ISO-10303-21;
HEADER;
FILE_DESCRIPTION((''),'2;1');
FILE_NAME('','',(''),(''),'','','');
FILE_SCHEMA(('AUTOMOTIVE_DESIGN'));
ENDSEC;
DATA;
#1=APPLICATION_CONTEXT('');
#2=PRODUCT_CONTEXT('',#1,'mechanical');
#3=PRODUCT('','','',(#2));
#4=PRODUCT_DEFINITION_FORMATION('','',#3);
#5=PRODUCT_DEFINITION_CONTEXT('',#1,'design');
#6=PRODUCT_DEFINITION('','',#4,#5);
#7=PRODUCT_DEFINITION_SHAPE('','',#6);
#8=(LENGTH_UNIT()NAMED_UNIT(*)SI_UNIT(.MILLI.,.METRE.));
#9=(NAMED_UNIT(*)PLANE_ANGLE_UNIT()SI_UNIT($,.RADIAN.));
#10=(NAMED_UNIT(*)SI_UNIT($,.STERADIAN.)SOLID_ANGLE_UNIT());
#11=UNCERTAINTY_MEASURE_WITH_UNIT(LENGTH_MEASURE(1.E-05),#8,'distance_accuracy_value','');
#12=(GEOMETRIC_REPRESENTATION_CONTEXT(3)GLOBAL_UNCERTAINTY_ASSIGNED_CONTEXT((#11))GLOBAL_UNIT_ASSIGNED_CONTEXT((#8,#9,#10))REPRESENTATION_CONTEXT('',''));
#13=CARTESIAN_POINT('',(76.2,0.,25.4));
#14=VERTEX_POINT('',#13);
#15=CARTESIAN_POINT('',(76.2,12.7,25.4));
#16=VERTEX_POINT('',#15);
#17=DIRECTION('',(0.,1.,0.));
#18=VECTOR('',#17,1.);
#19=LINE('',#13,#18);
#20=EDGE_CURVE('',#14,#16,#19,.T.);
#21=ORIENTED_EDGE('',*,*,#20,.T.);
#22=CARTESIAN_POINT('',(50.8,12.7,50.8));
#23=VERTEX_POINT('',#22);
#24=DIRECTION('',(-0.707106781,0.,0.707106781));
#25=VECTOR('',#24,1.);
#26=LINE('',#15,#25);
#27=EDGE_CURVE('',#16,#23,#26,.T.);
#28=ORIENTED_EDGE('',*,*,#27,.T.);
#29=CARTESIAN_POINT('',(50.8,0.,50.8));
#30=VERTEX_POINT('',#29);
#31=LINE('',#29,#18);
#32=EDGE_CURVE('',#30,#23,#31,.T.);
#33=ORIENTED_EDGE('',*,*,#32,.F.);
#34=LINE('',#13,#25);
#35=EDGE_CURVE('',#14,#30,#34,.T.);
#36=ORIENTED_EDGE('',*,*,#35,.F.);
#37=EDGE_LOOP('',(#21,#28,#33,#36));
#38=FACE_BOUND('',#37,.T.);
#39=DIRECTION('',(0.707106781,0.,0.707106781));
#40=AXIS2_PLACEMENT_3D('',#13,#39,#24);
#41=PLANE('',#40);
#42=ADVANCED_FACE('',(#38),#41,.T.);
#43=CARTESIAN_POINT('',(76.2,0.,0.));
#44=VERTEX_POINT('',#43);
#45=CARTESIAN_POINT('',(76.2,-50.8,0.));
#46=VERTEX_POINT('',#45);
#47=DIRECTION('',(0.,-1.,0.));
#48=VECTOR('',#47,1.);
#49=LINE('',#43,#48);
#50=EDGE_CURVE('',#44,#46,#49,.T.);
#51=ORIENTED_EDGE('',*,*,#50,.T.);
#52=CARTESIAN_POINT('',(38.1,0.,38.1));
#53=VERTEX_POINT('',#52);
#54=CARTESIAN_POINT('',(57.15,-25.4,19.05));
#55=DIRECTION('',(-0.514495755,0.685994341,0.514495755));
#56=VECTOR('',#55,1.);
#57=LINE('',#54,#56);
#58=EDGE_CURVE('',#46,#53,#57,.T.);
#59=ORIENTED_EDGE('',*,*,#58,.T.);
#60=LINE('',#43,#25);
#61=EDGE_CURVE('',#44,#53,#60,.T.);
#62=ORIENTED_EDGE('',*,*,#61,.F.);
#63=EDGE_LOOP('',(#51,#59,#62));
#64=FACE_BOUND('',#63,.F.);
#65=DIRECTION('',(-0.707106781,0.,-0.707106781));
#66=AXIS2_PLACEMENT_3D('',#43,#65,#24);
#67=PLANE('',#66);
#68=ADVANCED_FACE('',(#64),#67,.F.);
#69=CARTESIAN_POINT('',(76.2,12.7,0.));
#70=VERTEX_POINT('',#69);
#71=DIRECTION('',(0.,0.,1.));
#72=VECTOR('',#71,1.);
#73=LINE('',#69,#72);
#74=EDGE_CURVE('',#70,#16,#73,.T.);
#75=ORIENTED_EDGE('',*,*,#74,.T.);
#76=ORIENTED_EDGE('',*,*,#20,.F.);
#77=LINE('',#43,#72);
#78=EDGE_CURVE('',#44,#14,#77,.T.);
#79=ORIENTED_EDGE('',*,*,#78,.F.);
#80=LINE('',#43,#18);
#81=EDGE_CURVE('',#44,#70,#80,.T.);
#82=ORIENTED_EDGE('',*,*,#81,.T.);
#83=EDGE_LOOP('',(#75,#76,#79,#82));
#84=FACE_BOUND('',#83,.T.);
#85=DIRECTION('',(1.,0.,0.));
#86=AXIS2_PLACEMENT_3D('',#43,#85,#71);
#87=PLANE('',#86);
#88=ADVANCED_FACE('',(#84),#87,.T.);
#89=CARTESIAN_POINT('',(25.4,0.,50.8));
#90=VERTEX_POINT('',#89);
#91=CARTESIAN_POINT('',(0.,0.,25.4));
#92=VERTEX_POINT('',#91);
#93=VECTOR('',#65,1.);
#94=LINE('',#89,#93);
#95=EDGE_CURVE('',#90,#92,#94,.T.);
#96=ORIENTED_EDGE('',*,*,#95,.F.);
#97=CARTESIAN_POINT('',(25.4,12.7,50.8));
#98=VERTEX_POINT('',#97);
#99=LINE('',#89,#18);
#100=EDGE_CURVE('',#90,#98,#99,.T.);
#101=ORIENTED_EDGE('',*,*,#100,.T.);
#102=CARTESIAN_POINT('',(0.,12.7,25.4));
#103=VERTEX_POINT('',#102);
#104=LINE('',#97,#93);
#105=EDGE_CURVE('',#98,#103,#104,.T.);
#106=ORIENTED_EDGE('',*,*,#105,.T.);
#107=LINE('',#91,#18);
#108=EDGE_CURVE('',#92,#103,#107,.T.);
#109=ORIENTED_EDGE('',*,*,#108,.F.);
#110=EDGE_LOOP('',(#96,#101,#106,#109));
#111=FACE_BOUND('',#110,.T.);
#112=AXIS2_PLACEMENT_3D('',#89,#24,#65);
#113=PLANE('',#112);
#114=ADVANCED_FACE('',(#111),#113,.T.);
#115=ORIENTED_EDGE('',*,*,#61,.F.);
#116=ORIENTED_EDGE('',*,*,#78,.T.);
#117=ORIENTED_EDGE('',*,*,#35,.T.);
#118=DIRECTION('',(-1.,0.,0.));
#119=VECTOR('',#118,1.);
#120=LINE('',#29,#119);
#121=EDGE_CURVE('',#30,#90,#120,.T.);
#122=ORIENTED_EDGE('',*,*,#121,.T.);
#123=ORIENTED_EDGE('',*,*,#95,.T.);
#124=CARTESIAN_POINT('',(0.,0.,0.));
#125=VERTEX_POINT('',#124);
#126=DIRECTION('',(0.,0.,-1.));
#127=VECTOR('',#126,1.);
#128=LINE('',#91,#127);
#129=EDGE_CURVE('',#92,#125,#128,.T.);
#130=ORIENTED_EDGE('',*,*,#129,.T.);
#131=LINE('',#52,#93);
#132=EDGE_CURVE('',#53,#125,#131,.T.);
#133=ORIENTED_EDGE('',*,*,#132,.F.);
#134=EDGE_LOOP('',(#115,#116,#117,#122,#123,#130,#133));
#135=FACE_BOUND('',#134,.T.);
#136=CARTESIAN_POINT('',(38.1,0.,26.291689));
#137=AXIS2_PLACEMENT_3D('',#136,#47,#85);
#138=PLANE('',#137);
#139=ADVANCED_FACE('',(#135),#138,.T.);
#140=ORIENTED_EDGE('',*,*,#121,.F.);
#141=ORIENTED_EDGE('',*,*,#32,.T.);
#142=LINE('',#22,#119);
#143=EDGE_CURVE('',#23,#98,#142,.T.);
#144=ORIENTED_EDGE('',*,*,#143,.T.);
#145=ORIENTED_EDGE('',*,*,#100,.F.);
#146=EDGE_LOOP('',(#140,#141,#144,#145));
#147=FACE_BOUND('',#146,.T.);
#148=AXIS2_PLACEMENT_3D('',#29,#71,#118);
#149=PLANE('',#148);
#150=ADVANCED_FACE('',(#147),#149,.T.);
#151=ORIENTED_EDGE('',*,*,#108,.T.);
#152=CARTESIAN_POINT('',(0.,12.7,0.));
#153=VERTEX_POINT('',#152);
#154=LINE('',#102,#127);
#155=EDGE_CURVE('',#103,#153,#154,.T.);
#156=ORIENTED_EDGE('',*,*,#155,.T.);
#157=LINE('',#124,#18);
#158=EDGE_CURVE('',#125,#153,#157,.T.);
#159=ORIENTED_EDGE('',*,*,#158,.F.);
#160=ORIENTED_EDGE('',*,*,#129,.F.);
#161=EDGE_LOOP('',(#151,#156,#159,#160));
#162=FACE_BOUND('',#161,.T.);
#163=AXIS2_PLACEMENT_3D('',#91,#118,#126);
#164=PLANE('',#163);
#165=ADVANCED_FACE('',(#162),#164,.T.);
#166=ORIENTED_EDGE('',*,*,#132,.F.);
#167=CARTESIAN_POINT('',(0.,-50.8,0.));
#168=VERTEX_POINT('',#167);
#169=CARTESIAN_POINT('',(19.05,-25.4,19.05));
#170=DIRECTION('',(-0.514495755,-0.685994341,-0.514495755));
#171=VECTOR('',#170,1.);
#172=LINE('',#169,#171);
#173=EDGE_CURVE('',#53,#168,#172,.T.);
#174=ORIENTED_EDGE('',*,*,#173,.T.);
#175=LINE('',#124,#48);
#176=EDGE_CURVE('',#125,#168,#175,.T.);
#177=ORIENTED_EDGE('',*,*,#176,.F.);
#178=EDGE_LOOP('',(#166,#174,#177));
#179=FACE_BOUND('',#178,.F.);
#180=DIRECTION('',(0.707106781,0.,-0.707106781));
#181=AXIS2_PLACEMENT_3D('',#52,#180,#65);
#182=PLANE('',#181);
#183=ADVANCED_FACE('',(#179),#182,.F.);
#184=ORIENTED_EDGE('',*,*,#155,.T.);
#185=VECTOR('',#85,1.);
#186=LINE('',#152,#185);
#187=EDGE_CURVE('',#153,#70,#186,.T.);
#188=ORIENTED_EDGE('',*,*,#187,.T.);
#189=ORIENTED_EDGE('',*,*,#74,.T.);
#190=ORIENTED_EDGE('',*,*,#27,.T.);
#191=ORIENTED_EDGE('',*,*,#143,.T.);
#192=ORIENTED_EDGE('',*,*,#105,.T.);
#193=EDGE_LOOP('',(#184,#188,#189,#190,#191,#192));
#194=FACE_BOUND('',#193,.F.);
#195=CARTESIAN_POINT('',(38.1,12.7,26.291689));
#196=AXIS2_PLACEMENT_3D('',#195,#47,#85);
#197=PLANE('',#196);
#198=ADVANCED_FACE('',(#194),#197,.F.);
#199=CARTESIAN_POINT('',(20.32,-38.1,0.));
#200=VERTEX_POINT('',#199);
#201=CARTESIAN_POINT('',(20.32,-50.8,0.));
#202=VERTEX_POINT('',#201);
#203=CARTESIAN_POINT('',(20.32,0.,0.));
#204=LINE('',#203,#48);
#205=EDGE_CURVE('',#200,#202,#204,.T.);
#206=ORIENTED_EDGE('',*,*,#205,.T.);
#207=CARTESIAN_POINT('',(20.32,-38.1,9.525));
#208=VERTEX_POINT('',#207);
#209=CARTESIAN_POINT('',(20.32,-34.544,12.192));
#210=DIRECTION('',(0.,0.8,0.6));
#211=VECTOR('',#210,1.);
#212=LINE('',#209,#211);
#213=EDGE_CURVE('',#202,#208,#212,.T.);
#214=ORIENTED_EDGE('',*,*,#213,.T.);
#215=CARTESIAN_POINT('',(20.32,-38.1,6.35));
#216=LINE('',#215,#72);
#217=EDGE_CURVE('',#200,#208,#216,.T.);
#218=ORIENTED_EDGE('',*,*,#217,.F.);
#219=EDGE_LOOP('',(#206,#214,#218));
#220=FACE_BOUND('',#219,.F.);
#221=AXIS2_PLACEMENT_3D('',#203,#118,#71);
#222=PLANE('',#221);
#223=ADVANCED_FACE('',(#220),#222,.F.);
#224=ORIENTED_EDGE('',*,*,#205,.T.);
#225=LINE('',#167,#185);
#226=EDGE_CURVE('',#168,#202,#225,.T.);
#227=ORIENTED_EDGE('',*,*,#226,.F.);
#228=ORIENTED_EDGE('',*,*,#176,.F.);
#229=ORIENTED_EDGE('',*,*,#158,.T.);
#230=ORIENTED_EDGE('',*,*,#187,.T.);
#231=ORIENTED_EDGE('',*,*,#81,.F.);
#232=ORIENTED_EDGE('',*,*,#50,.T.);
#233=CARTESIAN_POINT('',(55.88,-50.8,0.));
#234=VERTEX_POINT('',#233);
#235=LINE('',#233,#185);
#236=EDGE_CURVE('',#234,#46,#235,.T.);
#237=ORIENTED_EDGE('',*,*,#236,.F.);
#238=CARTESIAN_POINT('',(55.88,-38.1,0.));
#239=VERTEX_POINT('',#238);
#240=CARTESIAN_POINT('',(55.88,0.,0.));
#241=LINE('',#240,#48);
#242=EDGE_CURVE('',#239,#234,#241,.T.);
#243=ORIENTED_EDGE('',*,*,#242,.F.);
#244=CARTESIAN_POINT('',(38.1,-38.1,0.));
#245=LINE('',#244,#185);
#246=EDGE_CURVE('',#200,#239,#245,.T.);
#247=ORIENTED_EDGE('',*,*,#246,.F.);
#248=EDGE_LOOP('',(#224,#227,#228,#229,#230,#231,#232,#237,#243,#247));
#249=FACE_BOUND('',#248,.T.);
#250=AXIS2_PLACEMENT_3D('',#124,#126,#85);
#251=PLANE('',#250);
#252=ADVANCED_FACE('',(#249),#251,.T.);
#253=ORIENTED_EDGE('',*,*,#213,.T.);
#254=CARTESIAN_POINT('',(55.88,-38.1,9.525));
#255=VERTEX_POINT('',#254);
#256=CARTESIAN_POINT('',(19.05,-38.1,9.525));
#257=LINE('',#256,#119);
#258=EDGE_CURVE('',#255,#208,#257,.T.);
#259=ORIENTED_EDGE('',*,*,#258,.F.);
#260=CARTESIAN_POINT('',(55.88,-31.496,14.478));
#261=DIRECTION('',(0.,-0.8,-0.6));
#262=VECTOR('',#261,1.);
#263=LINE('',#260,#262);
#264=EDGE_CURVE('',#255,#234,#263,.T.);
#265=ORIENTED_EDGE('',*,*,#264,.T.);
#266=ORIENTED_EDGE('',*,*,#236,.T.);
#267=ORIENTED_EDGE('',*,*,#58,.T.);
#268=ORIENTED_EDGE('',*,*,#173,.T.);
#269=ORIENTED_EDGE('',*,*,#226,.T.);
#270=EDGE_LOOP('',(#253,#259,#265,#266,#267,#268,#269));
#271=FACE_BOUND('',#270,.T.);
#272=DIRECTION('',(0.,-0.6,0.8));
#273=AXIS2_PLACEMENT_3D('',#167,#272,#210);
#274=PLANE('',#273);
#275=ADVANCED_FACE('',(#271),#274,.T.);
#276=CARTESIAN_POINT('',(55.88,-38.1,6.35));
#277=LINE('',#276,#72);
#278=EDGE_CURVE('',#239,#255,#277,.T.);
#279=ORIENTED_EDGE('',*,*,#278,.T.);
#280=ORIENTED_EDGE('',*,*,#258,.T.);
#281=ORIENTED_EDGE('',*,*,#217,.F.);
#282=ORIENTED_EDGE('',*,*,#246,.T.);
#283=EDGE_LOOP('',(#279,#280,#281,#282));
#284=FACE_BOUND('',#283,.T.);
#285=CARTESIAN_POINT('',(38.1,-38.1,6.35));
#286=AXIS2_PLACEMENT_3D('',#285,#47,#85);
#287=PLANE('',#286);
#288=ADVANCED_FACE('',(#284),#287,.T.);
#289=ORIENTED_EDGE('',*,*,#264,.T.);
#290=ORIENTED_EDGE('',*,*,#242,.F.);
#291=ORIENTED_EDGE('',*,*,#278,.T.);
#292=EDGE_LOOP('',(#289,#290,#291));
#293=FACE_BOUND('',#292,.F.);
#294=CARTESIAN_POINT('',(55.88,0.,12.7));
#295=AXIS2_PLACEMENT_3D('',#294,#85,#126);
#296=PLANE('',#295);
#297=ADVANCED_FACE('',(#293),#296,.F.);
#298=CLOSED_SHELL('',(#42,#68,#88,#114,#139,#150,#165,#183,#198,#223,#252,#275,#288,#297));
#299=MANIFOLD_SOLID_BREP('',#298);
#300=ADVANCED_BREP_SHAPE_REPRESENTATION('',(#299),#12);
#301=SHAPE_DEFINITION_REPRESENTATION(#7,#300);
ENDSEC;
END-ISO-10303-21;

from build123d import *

# Parameters (mm, degrees)
F0_W     = 35.56
F0_H     = 12.7
F1_DEPTH = 38.1
F2_DEPTH = 50.8
F4_DEPTH = 76.201
F5_DEPTH = 12.7
F6_DEPTH = 12.7


with BuildPart() as f1:
    # F0 (on Front) → F1 (new body)
    with BuildSketch(Plane.XZ):
        with Locations((38.1, 6.35)):
            Rectangle(F0_W, F0_H)
    extrude(amount=F1_DEPTH)

    # F0 (on Front) → F2 (join)
    with BuildSketch(Plane.XZ):
        Polygon((38.1, 38.1), (0, 0), (20.32, 0), (20.32, 12.7), (55.88, 12.7), (55.88, 0), (76.2, 0), align=None)
    extrude(amount=F2_DEPTH)

    # F3 (on Right) → F4 (cut, through all)
    with BuildSketch(Plane.YZ):
        Polygon((-50.8, 0), (0, 38.1), (-50.8, 38.1), align=None)
    extrude(amount=F4_DEPTH, mode=Mode.SUBTRACT)

    # F0 (on Front) → F5 (join)
    with BuildSketch(Plane.XZ):
        Polygon((0, 25.4), (0, 0), (38.1, 38.1), (76.2, 0), (76.2, 25.4), (50.8, 50.8), (25.4, 50.8), align=None)
    extrude(amount=-F5_DEPTH)

    # F0 (on Front) → F6 (join)
    with BuildSketch(Plane.XZ):
        with Locations((38.1, 6.35)):
            Rectangle(F0_W, F0_H)
        Polygon((0, 25.4), (0, 0), (38.1, 38.1), (76.2, 0), (76.2, 25.4), (50.8, 50.8), (25.4, 50.8), align=None)
        Polygon((38.1, 38.1), (0, 0), (20.32, 0), (20.32, 12.7), (55.88, 12.7), (55.88, 0), (76.2, 0), align=None)
    extrude(amount=-F6_DEPTH)


solid = f1.part
